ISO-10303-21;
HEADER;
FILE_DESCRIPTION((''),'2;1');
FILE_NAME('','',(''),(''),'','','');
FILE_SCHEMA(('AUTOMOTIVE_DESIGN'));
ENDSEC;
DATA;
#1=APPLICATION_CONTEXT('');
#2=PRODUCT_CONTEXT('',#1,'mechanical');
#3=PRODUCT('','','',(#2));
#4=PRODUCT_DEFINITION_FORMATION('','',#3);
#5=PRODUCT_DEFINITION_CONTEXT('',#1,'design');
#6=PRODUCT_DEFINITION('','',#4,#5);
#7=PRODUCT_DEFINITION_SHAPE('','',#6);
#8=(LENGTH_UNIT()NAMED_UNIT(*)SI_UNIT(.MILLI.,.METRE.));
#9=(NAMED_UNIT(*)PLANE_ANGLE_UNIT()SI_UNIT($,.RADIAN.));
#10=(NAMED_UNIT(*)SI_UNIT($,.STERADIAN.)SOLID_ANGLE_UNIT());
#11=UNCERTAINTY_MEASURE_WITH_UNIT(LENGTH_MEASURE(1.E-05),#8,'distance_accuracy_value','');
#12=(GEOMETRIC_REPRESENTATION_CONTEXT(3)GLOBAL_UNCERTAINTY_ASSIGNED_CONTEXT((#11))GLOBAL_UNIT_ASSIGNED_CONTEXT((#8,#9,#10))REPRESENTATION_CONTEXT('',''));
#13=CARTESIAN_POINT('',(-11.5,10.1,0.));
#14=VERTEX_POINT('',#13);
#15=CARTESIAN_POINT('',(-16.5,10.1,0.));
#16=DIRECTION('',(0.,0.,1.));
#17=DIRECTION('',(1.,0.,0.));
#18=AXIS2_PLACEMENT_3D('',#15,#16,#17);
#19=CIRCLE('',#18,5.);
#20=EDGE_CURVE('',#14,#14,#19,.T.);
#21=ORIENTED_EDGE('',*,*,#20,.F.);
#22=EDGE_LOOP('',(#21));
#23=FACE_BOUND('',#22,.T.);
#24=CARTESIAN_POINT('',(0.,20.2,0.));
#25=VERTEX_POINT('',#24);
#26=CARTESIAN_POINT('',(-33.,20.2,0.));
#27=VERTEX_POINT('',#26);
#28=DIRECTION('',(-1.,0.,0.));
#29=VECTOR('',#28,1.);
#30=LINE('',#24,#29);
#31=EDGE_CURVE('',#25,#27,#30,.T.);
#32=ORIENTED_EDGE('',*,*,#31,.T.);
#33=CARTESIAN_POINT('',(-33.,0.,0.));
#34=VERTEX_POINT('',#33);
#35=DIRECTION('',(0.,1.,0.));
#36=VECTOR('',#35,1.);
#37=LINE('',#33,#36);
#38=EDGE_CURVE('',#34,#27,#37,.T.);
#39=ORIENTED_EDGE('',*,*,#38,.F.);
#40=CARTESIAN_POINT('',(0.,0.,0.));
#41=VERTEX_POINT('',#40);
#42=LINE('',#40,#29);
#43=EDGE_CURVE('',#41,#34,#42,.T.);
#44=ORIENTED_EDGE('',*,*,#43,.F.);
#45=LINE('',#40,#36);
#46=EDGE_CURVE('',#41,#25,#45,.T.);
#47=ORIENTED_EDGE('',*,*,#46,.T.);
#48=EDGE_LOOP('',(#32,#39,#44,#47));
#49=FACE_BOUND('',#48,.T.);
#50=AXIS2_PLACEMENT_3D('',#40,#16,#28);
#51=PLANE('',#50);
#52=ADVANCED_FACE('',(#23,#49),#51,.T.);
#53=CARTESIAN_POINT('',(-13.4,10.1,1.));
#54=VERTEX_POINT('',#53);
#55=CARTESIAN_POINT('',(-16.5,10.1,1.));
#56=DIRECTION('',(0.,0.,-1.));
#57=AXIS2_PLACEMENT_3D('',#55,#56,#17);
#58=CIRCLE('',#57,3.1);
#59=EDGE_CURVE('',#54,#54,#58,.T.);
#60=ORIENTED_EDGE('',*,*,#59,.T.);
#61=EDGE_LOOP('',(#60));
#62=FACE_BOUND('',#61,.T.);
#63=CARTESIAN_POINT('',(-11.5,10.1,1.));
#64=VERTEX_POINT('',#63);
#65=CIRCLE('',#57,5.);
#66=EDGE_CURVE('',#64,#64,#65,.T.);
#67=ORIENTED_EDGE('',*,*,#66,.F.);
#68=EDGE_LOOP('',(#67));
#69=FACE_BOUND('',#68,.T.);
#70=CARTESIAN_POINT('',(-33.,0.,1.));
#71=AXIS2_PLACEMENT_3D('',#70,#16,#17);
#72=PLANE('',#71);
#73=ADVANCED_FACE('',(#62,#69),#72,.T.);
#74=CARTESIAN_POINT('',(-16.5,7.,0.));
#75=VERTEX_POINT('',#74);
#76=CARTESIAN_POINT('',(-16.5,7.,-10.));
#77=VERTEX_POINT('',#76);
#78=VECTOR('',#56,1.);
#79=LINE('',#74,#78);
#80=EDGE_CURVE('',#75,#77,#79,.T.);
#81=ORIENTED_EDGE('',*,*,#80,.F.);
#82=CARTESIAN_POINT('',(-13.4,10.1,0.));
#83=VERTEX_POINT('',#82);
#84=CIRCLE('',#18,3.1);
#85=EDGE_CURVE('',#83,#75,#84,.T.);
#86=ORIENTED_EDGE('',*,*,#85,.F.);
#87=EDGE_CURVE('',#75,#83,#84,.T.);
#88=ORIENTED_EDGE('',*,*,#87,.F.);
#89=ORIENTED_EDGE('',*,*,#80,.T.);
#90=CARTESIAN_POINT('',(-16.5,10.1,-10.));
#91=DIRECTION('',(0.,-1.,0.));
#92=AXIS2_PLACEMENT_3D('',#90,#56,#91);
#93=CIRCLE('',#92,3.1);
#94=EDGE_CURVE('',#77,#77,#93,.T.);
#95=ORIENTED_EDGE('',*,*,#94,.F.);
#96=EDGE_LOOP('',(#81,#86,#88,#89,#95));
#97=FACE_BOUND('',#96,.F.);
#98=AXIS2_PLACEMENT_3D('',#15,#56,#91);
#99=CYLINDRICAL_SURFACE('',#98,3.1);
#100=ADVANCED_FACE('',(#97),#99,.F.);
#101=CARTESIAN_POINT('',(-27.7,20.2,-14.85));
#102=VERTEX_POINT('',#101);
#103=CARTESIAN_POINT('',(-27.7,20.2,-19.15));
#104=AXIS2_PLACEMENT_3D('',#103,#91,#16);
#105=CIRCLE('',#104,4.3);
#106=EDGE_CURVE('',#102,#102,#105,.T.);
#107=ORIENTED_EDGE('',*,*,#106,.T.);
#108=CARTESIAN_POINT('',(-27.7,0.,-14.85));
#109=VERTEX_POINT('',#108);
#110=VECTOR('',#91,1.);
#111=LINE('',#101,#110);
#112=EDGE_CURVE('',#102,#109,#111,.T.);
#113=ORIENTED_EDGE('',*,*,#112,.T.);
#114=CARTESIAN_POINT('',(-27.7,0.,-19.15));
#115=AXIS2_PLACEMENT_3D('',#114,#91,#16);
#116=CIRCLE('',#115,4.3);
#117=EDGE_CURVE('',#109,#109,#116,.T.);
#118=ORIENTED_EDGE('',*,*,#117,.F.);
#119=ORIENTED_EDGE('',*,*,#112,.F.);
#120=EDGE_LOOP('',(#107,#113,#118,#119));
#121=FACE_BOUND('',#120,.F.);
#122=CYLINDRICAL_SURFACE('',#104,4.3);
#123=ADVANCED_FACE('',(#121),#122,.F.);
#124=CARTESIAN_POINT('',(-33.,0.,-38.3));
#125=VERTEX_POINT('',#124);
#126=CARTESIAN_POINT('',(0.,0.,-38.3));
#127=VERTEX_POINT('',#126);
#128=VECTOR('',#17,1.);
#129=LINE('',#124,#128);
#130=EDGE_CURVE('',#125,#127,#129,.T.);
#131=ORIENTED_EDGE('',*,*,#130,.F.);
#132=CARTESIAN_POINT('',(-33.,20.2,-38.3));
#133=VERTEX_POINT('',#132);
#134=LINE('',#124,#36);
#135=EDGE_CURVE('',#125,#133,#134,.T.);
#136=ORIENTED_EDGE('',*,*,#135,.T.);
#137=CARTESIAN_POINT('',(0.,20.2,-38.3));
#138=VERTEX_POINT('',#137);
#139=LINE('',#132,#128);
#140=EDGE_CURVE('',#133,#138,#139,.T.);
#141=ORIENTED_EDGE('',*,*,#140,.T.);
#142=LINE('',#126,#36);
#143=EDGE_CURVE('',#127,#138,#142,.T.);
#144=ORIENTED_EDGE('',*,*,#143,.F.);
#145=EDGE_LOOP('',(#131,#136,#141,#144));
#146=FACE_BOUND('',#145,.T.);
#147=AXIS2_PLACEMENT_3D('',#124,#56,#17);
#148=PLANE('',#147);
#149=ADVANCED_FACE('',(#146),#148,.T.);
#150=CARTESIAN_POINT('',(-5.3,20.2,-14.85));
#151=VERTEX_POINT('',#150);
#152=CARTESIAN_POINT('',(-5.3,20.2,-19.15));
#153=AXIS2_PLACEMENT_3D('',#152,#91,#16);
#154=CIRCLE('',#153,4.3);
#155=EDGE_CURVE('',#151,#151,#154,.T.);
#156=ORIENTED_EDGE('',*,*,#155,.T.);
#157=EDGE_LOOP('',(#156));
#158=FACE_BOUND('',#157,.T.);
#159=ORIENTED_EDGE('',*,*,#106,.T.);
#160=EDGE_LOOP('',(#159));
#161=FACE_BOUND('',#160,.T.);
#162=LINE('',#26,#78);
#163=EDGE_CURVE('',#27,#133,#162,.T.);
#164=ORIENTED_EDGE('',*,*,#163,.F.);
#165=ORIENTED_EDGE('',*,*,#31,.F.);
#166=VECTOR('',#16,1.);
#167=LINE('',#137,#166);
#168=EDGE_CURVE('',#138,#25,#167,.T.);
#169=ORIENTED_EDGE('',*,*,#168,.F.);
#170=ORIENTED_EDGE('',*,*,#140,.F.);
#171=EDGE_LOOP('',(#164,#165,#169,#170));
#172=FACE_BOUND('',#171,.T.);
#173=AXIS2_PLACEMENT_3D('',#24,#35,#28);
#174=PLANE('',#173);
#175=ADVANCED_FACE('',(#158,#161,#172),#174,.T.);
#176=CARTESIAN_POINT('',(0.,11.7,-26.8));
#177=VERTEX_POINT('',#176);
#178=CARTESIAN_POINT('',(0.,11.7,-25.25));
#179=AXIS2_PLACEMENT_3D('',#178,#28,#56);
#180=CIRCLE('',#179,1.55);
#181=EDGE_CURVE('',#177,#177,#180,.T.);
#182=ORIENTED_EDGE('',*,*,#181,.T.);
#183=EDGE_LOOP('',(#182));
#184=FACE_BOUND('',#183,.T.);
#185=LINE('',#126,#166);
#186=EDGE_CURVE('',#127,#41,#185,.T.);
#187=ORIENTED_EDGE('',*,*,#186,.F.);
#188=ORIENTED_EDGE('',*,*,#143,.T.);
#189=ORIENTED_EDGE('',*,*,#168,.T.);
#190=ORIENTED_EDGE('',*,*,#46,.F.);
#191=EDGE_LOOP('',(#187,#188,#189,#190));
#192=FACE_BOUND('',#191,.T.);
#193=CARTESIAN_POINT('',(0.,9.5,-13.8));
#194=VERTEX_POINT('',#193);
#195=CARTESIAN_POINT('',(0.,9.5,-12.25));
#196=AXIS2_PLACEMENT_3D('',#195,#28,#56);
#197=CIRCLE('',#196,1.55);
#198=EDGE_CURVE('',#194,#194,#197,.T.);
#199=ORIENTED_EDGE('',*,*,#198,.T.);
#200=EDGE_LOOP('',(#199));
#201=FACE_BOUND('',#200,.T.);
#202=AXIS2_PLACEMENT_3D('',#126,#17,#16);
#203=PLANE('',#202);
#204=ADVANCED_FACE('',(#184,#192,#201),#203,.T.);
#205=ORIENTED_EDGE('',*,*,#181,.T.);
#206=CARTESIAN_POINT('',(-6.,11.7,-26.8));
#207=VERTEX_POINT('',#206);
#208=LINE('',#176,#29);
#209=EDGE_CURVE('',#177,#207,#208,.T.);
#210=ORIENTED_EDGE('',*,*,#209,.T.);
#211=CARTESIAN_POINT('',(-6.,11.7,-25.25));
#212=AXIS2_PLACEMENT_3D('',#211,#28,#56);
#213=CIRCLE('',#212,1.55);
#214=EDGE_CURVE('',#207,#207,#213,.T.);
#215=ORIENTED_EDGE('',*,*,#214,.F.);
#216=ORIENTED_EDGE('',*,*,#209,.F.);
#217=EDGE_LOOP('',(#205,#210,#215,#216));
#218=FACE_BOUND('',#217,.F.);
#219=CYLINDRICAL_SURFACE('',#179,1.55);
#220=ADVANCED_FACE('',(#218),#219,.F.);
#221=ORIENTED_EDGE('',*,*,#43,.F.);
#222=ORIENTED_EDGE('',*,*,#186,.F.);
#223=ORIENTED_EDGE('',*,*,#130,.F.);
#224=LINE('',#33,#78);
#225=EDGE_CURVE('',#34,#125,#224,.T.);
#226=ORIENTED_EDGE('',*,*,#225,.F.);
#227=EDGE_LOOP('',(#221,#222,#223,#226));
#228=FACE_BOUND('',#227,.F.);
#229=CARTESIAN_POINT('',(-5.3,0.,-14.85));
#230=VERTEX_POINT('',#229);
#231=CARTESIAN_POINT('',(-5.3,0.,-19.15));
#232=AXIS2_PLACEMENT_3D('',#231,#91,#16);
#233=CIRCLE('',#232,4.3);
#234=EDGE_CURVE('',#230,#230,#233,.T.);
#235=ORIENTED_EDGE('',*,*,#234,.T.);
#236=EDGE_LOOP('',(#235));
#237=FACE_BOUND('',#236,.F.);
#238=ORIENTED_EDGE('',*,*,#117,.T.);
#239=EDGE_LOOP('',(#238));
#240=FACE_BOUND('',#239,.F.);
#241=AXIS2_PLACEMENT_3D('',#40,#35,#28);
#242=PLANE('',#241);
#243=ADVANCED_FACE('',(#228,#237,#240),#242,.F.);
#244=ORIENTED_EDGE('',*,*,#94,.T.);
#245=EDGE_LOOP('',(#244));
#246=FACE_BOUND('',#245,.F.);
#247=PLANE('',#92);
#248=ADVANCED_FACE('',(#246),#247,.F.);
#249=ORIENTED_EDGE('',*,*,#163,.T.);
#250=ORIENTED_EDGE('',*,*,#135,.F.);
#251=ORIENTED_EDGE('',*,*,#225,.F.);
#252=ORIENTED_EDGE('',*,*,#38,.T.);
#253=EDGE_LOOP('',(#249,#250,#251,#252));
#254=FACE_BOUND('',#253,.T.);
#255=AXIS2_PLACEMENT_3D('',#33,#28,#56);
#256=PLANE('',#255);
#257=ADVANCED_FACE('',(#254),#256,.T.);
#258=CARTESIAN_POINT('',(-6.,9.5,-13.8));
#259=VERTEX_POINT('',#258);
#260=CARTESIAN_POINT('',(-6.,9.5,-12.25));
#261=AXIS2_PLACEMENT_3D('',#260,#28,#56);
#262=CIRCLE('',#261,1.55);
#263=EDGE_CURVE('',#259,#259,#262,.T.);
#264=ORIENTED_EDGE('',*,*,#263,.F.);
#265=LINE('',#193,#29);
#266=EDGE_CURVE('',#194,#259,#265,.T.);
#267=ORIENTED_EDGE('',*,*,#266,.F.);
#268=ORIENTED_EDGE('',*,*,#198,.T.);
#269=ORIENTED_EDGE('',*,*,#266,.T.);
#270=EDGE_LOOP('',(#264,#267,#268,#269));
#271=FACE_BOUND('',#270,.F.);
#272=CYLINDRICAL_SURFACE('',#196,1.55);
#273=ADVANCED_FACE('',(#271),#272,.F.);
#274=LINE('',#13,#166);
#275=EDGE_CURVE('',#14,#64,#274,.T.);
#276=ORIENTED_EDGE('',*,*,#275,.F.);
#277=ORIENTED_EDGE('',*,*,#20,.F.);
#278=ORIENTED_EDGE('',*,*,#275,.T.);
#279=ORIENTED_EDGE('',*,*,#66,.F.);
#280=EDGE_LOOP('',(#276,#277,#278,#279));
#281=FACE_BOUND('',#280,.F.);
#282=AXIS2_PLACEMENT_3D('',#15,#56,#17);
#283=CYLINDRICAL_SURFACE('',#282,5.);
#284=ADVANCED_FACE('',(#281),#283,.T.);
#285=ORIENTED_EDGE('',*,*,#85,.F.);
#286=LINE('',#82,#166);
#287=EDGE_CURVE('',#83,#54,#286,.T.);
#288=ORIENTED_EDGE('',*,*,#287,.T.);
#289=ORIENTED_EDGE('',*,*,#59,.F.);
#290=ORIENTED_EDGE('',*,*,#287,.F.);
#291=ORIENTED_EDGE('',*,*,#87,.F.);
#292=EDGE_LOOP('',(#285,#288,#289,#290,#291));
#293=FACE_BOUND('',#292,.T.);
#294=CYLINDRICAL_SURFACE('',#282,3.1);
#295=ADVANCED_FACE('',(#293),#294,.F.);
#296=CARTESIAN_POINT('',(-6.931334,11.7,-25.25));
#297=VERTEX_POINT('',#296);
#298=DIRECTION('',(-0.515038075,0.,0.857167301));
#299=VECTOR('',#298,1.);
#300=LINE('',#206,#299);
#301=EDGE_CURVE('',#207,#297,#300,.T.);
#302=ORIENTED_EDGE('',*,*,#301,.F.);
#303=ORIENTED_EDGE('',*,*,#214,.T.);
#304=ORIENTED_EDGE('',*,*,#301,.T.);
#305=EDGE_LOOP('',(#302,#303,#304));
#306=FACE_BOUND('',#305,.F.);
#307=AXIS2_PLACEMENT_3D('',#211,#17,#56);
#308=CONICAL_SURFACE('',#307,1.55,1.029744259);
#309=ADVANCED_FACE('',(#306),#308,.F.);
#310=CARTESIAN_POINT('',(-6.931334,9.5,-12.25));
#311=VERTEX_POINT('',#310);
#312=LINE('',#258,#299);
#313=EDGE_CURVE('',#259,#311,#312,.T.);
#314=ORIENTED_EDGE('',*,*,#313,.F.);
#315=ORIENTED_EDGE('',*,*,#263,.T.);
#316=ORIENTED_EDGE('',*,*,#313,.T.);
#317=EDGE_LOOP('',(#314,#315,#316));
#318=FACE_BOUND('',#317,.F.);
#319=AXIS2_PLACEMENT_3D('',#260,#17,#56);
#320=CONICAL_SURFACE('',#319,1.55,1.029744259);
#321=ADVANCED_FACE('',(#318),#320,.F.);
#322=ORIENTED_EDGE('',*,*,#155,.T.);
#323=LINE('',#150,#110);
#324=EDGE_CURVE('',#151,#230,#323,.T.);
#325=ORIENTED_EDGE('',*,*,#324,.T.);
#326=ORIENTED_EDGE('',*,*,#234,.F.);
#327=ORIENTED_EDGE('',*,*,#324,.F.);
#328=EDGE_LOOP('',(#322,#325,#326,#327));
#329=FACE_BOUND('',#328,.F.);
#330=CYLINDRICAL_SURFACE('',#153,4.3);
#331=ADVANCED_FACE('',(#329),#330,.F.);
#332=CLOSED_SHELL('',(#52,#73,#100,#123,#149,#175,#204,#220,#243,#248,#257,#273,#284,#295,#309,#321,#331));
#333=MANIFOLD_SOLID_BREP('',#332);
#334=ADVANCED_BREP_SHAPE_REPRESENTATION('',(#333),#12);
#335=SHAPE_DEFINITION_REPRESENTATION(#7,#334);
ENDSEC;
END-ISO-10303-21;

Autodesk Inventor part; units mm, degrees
ref_plane "YZ Plane" through (0, 0, 0) normal (1, 0, 0) x (0, 1, 0)
ref_plane "XZ Plane" through (0, 0, 0) normal (0, 1, 0) x (-1, 0, 0)
ref_plane "XY Plane" through (0, 0, 0) normal (0, 0, 1) x (1, 0, 0)
sketch "スケッチ1" plane through (0, 0, 0) normal (0, 1, 0) x (-1, 0, 0)
  line L0 (0, 0) -> (33, 0)
  line L1 (33, 0) -> (33, -38.3)
  line L2 (33, -38.3) -> (0, -38.3)
  line L3 (0, -38.3) -> (0, 0)
  dimension "d0" = 33
  dimension "d1" = 38.3
extrude "押し出し1" add sketch "スケッチ1" along normal blind 20.2
sketch "スケッチ2" plane through (0, 20.2, 0) normal (0, 1, 0) x (1, 0, 0)
  line L0 (-33, 38.3) -> (-33, 0) projected
  line L1 (-33, 19.15) -> (0, 19.15)
  line L2 (0, 0) -> (0, 38.3) projected
  point P0 (-27.7, 19.15)
  point P1 (-5.3, 19.15)
  dimension "d4" = 5.3
  dimension "d5" = 5.3
sketch "スケッチ3" plane through (0, 20.2, 0) normal (0, 1, 0) x (1, 0, 0)
  point P0 (0, 0)
sketch "スケッチ4" plane through (0, 20.2, 0) normal (0, 1, 0) x (1, 0, 0)
  circle A0 centre (-5.3, 19.15) radius 4.3
  circle A1 centre (-27.7, 19.15) radius 4.3
  point P0 (0, 0)
  dimension "d6" = 8.6
  dimension "d7" = 8.6
hole "穴1" at (-5.3, 20.2, -19.15) direction (0, -1, 0) diameter 8.6 end through all
hole "穴2" at (-27.7, 20.2, -19.15) direction (0, -1, 0) diameter 8.6 end through all
sketch "スケッチ5" plane through (-33, 0, 0) normal (0, 0, 1) x (1, 0, 0)
  line L0 (33, 20.2) -> (0, 20.2) projected
  line L1 (16.5, 20.2) -> (16.5, 0)
  circle A0 centre (16.5, 10.1) radius 5
  circle A1 centre (16.5, 10.1) radius 3.1
  point P0 (33, 0)
  dimension "d22" = 10
  dimension "d23" = 6.2
sketch "スケッチ6" plane through (0, 0, 0) normal (1, 0, 0) x (0, 0, -1)
  line L0 (0, 0) -> (38.3, 0) projected
  line L1 (12.25, 0) -> (12.25, 20.2)
  line L2 (0, 20.2) -> (38.3, 20.2) projected
  line L3 (25.25, 0) -> (25.25, 20.2)
  point P0 (12.25, 9.5)
  point P1 (25.25, 11.7)
  dimension "d26" = 9.5
  dimension "d27" = 8.5
sketch "スケッチ7" plane through (0, 0, 0) normal (1, 0, 0) x (0, 0, -1)
  point P0 (0, 0)
hole "穴3" at (0, 9.5, -12.25) at (0, 11.7, -25.25) direction (-1, 0, 0) diameter 3.1 depth 6 tip angle 118
extrude "押し出し3" add sketch "スケッチ5" along normal blind 1 contours A0 L1 A1 | L1 A1 A0
sketch "スケッチ8" plane through (-33, 0, 0) normal (0, 0, 1) x (1, 0, 0)
  line L0 (0, 20.2) -> (33, 20.2) projected
  line L1 (16.5, 20.2) -> (16.5, 0)
  line L2 (33, 0) -> (0, 0) projected
  point P0 (16.5, 10.1)
hole "穴4" at (-16.5, 10.1, 0) direction (0, 0, -1) diameter 6.2 depth 10
properties part number "コガネイ_BDA16x5"
